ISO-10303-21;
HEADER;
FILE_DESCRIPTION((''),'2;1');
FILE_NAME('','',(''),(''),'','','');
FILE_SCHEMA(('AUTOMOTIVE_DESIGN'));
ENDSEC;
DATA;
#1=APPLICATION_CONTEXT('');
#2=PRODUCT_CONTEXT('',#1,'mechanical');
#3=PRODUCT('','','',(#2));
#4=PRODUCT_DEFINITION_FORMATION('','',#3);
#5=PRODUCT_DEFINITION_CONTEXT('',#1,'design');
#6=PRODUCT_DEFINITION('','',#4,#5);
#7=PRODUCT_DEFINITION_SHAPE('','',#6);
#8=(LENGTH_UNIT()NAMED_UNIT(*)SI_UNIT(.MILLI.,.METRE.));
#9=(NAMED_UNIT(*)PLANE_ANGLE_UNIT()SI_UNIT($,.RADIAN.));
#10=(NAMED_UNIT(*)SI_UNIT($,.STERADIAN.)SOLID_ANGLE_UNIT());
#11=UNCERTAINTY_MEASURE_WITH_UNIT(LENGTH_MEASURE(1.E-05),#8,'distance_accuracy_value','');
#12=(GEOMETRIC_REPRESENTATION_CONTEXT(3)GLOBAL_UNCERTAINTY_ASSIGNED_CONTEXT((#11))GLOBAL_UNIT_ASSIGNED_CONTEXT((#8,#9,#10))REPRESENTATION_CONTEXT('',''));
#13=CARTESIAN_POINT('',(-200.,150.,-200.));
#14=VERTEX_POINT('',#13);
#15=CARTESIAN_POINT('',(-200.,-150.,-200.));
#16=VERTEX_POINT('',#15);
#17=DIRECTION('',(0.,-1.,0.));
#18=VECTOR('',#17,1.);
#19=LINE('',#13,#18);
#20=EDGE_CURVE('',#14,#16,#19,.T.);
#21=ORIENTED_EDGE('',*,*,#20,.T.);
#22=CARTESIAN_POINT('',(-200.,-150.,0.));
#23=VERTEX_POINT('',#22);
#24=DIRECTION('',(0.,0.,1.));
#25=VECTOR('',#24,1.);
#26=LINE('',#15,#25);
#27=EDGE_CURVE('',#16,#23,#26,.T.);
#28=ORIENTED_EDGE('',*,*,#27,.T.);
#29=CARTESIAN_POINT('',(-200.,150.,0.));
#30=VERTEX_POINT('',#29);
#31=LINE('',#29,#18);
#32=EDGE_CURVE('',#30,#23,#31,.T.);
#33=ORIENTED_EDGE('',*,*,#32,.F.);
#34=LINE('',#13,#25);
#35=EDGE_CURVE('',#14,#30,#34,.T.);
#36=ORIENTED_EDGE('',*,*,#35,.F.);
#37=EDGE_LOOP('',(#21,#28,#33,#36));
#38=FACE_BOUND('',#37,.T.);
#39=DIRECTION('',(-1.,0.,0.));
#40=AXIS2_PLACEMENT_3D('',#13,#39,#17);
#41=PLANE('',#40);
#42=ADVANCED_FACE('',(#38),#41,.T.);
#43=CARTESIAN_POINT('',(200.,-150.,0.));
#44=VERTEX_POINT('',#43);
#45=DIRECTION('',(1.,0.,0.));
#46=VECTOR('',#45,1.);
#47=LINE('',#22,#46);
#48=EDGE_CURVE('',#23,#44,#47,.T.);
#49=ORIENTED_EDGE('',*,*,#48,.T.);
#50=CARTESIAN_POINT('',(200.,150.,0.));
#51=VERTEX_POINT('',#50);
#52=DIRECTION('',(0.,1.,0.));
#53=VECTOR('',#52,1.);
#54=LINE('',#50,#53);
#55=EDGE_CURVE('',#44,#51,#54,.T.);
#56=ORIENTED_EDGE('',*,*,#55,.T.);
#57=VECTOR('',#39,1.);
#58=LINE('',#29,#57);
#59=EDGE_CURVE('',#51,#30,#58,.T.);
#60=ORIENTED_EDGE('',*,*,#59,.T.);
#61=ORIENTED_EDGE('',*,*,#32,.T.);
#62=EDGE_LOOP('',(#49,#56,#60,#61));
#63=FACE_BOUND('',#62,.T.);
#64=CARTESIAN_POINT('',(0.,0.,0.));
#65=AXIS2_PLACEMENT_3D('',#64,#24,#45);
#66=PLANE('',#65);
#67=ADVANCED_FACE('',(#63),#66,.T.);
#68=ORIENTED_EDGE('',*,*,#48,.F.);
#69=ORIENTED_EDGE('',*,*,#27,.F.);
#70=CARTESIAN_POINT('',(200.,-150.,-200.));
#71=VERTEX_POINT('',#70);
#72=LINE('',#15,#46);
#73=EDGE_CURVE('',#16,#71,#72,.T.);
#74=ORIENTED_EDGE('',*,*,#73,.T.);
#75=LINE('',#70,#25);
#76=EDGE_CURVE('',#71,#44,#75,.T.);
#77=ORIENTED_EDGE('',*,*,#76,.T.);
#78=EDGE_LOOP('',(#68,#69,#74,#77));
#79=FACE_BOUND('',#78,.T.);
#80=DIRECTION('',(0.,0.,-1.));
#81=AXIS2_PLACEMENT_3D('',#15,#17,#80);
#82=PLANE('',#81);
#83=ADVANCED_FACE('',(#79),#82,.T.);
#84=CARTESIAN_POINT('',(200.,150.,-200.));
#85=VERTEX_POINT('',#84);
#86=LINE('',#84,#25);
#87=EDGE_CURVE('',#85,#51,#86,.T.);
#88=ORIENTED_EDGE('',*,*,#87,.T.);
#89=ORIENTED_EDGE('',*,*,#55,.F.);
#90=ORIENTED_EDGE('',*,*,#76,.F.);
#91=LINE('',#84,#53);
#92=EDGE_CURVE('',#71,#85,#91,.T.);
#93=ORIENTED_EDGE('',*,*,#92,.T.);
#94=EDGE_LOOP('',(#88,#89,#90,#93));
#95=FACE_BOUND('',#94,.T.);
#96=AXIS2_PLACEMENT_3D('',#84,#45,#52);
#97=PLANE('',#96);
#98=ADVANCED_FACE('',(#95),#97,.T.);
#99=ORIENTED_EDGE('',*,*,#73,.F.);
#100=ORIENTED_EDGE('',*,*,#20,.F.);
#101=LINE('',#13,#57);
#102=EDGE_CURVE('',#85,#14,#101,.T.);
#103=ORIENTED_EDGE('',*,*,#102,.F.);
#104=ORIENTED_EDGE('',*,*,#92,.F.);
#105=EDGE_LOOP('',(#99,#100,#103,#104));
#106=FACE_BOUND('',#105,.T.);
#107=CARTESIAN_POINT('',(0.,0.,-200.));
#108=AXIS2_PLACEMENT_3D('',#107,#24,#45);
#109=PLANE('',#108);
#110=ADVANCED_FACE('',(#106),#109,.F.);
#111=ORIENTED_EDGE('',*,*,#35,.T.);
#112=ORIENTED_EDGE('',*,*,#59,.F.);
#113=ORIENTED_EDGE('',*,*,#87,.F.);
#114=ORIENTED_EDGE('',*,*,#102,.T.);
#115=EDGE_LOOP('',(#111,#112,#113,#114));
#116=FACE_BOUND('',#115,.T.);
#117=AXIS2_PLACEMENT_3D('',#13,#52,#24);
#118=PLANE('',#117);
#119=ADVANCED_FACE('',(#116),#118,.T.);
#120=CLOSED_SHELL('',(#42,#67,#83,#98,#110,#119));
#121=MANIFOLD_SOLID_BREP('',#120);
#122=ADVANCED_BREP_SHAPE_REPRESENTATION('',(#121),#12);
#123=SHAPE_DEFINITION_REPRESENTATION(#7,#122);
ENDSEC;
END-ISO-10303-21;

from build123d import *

# Parameters (mm, degrees)
SKETCH1_W           = 400
SKETCH1_H           = 300
BOSS_EXTRUDE1_DEPTH = 200


with BuildPart() as part:
    # Sketch1 → Boss-Extrude1 (new body)
    with BuildSketch(Plane.XY):
        Rectangle(SKETCH1_W, SKETCH1_H)
    extrude(amount=-BOSS_EXTRUDE1_DEPTH)


solid = part.part
